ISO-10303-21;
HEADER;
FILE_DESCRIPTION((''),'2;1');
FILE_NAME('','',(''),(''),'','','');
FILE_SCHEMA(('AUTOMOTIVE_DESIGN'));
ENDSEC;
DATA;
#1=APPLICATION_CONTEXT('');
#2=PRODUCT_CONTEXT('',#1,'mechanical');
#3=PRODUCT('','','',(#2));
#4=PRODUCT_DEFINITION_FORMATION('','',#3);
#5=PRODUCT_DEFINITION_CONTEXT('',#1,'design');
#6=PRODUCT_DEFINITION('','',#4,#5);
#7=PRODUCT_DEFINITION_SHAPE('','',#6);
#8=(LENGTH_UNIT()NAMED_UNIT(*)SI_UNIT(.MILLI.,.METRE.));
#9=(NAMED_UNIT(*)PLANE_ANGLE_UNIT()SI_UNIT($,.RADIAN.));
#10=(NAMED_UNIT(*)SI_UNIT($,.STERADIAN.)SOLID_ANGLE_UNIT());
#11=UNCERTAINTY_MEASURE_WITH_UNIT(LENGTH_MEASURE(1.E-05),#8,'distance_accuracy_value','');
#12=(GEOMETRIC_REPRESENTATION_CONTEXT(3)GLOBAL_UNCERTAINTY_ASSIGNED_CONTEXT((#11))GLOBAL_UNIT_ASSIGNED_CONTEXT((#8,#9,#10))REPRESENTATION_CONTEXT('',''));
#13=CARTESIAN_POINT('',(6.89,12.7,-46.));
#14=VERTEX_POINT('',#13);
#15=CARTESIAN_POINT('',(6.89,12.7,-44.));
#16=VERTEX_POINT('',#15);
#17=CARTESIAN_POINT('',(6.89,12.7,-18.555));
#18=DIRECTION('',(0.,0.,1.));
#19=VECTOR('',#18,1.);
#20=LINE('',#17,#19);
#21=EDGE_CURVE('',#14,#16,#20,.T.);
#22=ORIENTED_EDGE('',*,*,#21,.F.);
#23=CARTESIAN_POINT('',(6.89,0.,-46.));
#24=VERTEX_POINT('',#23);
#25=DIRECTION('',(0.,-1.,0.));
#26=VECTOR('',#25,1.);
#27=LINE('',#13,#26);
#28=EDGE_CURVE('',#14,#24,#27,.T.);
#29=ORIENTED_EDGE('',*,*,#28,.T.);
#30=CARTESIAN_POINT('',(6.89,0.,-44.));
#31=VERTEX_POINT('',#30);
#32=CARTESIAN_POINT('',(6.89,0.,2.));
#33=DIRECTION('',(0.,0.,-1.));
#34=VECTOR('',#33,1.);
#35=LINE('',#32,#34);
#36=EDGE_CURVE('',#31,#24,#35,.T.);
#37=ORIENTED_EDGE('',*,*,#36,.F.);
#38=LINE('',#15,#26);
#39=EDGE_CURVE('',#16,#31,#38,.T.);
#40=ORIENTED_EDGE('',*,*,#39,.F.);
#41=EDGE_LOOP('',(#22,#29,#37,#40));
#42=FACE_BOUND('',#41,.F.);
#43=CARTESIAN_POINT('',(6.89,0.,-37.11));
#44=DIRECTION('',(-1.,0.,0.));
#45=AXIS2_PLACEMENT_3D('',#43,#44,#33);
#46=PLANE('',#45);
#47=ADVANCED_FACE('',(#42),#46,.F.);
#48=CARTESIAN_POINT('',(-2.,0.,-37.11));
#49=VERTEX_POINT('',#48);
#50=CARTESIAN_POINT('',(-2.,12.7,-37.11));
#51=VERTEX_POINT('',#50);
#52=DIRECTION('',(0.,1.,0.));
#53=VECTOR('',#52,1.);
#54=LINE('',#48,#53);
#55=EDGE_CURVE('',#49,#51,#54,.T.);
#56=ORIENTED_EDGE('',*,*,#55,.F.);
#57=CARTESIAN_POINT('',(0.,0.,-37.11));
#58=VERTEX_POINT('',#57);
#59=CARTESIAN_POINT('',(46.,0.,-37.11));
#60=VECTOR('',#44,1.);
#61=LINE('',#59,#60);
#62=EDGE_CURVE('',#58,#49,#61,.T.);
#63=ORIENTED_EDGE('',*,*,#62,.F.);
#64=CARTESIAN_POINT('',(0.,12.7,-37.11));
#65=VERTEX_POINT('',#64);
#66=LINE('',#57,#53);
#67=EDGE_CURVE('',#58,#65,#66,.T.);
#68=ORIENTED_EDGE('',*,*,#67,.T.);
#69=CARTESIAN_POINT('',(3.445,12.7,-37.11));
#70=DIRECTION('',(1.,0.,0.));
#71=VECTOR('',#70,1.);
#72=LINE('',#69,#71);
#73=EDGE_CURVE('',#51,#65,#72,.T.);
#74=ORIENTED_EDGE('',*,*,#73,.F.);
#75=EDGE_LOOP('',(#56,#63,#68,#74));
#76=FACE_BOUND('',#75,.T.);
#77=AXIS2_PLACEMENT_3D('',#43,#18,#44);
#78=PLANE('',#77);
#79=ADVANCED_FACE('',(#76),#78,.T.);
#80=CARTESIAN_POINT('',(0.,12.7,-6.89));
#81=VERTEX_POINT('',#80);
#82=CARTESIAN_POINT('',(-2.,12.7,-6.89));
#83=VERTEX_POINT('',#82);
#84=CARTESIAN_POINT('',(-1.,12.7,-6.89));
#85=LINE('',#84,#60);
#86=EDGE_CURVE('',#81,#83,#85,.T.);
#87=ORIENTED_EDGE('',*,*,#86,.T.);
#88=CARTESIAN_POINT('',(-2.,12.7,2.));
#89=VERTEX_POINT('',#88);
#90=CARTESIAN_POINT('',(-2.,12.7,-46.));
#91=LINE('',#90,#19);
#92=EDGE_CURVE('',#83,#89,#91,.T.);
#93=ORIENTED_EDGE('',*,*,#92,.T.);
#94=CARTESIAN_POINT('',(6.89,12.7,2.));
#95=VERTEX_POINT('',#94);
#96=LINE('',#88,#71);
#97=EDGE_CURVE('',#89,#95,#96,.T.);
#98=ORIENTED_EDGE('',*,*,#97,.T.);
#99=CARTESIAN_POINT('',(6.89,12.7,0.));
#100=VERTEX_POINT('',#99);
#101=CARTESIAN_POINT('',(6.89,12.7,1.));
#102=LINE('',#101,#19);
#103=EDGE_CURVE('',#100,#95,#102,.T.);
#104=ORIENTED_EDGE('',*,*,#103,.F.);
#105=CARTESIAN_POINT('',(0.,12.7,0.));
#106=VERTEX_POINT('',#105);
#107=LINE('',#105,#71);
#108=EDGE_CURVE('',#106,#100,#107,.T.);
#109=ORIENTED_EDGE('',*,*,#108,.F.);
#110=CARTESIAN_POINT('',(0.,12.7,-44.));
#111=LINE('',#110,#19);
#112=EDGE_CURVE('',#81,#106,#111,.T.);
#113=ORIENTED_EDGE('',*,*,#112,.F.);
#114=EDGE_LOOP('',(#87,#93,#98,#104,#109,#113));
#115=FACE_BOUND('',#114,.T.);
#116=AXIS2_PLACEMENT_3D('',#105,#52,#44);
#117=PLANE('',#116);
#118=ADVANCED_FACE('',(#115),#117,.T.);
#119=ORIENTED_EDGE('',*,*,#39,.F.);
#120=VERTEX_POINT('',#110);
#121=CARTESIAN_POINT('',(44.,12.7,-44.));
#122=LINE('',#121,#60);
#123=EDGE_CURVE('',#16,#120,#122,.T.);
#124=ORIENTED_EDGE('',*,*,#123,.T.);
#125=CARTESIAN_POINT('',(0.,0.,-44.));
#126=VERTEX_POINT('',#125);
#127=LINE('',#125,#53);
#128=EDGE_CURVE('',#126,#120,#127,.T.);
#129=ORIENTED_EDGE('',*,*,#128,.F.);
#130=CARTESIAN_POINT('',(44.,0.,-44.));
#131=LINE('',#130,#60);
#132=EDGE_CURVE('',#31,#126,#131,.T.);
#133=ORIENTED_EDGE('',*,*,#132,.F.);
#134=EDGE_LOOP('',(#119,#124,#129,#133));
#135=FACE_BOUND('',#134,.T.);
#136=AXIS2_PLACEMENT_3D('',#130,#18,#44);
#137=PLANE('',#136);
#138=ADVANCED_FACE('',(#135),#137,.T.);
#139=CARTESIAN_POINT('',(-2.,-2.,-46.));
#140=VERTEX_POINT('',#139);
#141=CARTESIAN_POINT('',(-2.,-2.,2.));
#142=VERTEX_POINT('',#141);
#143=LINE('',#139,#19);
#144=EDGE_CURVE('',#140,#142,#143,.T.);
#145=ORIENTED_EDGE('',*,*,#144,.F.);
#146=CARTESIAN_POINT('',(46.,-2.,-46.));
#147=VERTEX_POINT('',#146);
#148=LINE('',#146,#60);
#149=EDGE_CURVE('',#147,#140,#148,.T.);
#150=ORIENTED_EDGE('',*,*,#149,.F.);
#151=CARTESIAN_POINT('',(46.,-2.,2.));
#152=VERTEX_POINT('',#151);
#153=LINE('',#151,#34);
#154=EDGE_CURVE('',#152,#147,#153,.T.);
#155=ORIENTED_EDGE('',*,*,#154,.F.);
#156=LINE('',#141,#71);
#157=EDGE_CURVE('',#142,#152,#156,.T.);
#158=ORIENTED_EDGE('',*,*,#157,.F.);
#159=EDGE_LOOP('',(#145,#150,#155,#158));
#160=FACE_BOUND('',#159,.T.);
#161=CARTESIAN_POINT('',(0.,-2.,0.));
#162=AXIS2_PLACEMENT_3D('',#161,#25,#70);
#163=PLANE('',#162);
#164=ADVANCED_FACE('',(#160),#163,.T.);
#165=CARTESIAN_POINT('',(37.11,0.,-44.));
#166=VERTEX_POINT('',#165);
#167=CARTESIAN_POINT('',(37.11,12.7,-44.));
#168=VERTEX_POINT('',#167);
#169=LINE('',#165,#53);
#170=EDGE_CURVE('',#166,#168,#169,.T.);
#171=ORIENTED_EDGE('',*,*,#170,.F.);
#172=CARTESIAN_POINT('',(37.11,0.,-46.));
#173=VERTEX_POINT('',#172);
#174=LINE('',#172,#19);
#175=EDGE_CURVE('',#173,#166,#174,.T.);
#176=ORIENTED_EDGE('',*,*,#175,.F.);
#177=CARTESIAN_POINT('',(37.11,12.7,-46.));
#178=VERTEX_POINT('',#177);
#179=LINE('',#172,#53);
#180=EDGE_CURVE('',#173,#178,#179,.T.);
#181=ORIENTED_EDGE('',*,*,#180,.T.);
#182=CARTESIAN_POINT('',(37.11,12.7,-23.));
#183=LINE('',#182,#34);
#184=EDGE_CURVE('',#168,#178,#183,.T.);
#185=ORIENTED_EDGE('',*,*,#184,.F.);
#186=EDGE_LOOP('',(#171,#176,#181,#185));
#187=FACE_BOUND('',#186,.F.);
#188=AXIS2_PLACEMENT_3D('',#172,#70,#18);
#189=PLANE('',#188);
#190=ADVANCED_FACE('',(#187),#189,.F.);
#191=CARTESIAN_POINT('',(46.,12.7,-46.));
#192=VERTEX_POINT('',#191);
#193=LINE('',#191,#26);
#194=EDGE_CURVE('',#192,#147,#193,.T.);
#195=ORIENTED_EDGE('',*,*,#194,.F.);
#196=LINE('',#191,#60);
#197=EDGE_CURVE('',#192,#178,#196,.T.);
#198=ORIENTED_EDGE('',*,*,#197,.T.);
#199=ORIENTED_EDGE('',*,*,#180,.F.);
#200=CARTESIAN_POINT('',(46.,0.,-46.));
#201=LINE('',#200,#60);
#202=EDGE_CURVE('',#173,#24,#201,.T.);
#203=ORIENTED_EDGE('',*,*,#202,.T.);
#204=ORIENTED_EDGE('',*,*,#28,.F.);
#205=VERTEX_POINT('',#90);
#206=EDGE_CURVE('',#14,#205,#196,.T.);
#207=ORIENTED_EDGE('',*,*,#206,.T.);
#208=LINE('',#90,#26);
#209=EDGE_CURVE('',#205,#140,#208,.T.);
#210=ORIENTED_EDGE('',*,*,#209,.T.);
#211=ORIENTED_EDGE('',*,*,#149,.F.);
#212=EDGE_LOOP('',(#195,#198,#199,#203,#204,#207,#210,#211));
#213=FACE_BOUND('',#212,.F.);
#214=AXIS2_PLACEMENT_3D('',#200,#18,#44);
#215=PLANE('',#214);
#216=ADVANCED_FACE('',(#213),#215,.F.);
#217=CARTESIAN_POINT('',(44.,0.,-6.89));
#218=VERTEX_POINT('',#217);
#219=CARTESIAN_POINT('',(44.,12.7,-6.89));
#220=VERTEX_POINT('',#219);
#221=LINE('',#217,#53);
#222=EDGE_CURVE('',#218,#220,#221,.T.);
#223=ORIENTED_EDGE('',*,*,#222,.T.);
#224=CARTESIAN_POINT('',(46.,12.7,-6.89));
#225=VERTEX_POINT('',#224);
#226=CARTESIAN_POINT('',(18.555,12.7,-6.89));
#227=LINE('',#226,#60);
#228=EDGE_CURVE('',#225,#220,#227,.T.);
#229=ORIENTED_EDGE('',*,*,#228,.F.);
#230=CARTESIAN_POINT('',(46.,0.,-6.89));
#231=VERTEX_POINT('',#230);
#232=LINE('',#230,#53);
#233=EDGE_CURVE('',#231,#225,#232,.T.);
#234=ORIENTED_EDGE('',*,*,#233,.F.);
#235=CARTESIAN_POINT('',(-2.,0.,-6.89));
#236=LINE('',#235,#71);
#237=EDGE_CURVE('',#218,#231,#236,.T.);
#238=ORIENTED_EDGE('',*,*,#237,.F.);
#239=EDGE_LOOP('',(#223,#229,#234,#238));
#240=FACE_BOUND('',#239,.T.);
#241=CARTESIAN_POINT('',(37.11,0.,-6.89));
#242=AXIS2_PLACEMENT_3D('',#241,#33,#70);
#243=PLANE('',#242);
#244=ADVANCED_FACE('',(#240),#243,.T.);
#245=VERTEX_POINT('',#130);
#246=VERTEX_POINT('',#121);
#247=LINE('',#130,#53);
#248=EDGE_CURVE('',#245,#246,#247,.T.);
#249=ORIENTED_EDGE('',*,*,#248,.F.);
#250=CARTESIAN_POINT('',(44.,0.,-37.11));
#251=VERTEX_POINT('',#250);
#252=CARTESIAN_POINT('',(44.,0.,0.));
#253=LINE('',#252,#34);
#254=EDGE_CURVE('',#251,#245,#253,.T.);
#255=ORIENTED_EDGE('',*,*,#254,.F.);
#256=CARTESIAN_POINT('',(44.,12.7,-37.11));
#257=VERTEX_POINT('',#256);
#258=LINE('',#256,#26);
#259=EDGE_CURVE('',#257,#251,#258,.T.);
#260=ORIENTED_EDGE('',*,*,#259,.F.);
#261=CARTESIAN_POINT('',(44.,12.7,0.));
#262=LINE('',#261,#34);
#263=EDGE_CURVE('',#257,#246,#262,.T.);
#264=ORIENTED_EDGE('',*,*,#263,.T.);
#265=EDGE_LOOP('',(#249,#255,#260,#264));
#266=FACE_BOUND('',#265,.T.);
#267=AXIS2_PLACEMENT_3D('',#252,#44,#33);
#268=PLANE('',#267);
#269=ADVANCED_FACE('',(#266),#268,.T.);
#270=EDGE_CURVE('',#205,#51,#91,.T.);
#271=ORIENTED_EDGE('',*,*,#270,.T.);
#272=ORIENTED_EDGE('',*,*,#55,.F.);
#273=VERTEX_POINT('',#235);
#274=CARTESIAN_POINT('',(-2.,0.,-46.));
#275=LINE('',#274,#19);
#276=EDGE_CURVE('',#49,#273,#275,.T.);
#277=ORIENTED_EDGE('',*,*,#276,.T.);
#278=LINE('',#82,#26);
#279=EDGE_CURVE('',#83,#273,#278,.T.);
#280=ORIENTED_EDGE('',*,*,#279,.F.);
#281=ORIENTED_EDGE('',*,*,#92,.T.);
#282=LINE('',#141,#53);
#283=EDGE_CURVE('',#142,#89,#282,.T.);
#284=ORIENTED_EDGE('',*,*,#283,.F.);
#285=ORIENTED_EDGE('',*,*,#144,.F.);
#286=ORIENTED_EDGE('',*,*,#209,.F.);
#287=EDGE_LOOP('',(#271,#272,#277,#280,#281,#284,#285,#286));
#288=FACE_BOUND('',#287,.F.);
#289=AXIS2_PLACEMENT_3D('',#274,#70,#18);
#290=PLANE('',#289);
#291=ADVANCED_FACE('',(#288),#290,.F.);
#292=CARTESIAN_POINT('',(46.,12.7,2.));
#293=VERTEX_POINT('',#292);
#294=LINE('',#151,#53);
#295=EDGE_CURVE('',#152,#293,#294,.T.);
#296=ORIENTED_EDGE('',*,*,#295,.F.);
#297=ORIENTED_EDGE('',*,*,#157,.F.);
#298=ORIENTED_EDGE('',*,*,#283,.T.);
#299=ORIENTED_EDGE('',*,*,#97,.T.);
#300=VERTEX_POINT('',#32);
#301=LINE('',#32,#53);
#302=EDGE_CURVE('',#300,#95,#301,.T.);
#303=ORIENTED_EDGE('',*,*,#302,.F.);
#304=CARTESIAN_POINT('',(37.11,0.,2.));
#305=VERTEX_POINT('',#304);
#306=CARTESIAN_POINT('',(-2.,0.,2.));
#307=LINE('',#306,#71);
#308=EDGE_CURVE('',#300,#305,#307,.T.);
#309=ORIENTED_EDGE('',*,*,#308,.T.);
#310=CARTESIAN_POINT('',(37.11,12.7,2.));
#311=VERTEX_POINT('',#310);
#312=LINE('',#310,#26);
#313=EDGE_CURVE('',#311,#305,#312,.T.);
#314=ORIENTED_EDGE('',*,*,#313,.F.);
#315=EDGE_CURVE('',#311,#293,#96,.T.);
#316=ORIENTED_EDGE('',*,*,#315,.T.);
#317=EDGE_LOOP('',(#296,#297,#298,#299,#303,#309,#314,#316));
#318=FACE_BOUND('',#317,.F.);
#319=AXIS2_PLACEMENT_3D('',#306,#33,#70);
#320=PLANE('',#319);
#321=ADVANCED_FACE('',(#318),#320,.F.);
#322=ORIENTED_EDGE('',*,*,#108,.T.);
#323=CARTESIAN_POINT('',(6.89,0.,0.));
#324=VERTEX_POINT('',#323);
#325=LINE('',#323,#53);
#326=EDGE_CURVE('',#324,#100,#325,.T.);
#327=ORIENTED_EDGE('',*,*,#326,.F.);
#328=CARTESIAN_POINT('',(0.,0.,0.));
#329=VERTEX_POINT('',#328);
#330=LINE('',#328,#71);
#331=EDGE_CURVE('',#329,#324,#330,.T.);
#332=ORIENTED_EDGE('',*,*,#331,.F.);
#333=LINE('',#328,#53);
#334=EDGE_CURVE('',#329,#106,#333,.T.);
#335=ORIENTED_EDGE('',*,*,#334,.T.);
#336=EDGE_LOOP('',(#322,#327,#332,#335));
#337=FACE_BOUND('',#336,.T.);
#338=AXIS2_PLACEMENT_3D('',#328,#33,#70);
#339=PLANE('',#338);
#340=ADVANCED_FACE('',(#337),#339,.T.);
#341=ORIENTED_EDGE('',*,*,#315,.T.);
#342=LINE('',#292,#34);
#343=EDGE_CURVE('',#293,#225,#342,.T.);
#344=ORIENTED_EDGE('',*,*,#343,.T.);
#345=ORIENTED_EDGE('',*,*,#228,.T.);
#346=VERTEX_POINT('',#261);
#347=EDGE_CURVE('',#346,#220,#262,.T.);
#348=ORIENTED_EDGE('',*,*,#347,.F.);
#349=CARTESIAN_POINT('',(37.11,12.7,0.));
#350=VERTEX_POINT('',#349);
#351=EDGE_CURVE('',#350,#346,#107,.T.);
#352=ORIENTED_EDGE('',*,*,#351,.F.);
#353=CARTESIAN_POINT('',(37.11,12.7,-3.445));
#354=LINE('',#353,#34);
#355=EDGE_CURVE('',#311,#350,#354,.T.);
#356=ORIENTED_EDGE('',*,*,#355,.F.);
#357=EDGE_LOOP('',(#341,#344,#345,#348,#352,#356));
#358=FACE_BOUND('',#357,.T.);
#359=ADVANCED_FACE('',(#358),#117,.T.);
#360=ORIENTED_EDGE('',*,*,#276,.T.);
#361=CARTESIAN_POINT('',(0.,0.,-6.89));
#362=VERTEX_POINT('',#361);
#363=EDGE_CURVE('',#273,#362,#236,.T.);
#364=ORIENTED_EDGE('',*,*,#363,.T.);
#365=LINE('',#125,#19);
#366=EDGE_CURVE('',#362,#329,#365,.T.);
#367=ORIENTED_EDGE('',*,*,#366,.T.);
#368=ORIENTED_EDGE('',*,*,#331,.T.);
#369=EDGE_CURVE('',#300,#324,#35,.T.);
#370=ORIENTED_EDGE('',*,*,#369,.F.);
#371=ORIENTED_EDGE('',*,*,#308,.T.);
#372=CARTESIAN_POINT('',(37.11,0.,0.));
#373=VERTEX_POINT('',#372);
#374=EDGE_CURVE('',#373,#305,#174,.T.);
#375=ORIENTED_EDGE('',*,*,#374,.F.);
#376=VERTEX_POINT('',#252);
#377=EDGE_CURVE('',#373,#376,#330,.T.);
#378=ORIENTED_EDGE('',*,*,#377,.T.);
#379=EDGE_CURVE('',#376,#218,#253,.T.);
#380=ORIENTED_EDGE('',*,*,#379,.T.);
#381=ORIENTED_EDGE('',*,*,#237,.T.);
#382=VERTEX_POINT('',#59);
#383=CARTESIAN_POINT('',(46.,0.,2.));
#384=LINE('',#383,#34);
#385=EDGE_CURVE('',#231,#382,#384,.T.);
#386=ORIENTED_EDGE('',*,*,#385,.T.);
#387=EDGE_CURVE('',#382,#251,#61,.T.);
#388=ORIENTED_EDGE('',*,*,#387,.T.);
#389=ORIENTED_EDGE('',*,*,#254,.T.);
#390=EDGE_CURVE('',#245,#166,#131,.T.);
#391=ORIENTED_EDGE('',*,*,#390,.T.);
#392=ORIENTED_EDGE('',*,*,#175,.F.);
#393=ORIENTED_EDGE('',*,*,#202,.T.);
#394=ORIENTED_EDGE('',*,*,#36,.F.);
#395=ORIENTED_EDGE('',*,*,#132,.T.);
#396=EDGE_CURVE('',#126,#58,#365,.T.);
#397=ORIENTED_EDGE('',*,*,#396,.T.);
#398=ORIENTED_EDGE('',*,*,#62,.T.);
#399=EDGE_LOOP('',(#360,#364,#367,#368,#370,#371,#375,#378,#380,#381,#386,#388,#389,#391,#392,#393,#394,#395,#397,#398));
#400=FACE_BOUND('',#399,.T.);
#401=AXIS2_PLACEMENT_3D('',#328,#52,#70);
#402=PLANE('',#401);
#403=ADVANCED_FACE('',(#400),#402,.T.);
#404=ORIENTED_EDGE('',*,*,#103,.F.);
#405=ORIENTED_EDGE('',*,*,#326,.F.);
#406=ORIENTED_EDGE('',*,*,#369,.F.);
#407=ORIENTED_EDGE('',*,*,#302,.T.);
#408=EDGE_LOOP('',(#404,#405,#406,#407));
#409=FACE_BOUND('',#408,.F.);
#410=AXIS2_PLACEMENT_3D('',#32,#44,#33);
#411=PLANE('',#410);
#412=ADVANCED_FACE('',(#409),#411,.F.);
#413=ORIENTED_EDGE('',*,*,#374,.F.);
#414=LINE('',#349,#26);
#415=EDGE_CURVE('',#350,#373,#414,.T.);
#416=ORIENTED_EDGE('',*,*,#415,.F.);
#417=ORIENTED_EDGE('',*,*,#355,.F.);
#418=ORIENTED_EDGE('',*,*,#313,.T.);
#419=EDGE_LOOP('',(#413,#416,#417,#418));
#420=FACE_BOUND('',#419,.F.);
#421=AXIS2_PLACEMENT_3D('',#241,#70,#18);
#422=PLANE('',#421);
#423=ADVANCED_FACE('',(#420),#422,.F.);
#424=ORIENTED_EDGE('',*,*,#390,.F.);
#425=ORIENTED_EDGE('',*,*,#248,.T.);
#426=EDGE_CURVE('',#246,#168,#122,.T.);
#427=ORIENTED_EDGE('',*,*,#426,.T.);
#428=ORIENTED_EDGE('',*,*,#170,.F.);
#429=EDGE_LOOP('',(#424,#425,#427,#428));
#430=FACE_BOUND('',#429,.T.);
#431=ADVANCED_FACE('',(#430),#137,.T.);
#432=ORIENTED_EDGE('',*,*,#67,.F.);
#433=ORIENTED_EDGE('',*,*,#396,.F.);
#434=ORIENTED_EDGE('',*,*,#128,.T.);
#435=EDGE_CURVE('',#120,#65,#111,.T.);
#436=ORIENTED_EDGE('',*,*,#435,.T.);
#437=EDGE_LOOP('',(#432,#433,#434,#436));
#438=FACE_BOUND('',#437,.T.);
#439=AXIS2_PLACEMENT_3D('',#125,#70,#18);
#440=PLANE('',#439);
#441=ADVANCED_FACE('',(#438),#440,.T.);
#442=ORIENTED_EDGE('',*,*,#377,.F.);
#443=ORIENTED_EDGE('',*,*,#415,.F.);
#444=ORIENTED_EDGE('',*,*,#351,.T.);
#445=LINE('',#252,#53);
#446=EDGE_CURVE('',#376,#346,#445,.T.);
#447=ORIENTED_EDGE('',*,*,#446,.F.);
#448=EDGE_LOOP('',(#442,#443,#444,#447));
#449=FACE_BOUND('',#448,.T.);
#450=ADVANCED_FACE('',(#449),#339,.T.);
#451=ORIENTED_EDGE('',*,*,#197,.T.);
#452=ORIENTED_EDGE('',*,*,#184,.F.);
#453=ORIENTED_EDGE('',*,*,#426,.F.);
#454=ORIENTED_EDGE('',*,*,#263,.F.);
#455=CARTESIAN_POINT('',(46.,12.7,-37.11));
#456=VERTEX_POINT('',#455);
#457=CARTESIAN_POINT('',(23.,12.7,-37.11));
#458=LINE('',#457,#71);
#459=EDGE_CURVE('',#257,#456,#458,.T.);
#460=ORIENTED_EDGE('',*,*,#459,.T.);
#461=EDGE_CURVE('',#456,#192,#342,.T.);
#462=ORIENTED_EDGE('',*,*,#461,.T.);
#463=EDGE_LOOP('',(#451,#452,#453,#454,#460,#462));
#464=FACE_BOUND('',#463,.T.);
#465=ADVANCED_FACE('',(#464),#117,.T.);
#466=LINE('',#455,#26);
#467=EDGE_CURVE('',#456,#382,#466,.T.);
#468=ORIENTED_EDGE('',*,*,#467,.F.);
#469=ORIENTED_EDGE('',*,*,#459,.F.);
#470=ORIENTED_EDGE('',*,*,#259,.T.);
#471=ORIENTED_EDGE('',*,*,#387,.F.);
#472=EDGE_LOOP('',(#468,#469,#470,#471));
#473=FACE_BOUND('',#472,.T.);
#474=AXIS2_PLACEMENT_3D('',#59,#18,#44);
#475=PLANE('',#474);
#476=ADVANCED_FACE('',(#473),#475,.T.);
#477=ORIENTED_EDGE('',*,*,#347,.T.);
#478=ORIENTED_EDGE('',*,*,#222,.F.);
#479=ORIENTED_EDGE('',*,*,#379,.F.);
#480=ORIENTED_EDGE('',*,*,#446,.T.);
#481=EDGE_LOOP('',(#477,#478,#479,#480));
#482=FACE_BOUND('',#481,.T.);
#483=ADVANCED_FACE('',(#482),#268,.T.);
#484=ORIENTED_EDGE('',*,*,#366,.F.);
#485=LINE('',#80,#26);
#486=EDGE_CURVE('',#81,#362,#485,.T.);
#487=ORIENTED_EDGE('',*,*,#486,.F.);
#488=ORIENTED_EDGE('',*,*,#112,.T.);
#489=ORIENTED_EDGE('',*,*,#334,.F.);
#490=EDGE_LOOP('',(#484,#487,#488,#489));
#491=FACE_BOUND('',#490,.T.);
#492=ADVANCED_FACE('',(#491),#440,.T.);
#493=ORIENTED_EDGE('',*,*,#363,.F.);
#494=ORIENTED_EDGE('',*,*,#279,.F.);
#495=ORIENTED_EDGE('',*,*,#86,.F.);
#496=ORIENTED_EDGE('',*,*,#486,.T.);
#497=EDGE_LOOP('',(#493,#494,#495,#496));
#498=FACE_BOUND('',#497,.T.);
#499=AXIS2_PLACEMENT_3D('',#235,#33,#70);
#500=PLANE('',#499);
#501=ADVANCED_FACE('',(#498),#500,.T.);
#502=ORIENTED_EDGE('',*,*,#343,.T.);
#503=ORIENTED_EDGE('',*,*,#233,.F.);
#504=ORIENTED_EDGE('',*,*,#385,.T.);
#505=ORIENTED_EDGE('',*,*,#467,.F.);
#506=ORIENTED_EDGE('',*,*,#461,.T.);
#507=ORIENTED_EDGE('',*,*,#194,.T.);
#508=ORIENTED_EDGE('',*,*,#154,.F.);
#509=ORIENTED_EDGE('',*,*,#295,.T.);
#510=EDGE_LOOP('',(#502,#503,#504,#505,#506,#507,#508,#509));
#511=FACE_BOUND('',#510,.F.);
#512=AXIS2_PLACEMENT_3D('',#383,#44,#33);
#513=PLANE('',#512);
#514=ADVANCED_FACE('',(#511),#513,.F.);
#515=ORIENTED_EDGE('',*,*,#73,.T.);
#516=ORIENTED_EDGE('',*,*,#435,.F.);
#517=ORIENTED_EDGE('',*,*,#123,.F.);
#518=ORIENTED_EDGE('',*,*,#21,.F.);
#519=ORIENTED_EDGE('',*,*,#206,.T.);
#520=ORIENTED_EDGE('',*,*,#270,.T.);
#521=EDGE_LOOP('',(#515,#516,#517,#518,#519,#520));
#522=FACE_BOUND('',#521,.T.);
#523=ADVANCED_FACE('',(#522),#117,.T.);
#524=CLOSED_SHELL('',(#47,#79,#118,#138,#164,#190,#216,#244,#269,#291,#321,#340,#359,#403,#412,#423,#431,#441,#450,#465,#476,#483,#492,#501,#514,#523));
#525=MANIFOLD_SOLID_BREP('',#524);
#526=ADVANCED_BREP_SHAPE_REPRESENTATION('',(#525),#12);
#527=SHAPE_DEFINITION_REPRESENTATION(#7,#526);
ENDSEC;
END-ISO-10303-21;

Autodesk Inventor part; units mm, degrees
ref_plane "YZ Plane" through (0, 0, 0) normal (1, 0, 0) x (0, 1, 0)
ref_plane "XZ Plane" through (0, 0, 0) normal (0, 1, 0) x (-1, 0, 0)
ref_plane "XY Plane" through (0, 0, 0) normal (0, 0, 1) x (1, 0, 0)
sketch "Sketch1" plane through (0, 0, 0) normal (0, 1, 0) x (-1, 0, 0)
  line L0 (0, 0) -> (-44, 0)
  line L1 (-44, 0) -> (-44, -44)
  line L2 (-44, -44) -> (0, -44)
  line L3 (0, -44) -> (0, 0)
  line L4 (2, 2) -> (-46, 2)
  line L5 (-46, 2) -> (-46, -46)
  line L6 (-46, -46) -> (2, -46)
  line L7 (2, -46) -> (2, 2)
  dimension "d0" = 44
  dimension "d1" = 44
  dimension "d2" = 48
  dimension "d3" = 48
  dimension "d4" = 2
  dimension "d5" = 2
extrude "Extrusion1" add sketch "Sketch1" along normal blind 12.7
sketch "Sketch2" plane through (0, 0, 0) normal (0, -1, 0) x (1, 0, 0)
  line L0 (46, 2) -> (46, -46) projected
  line L1 (-2, 2) -> (46, 2) projected
  line L2 (-2, -46) -> (-2, 2) projected
  line L3 (46, -46) -> (-2, -46) projected
  point P0 (0, 0)
extrude "Extrusion2" add sketch "Sketch2" along normal blind 2
sketch "Sketch3" plane through (0, 0, 0) normal (0, 1, 0) x (1, 0, 0)
  line L0 (-2, -2) -> (46, -2) projected
  line L1 (-2, 46) -> (-2, -2) projected
  line L2 (46, 46) -> (-2, 46) projected
  line L3 (46, -2) -> (46, 46) projected
  line L4 (37.11, -2) -> (6.89, -2)
  line L5 (6.89, -2) -> (6.89, 46)
  line L6 (6.89, 46) -> (37.11, 46)
  line L7 (37.11, 46) -> (37.11, -2)
  line L8 (-2, -2) -> (-2, 46) projected
  line L9 (-2, 6.89) -> (46, 6.89)
  line L10 (46, 6.89) -> (46, 37.11)
  line L11 (46, 37.11) -> (-2, 37.11)
  line L12 (-2, 37.11) -> (-2, 6.89)
  point P0 (0, 0)
  point P1 (37.11, 37.11)
  point P2 (37.11, 6.89)
  point P3 (6.89, 6.89)
  point P4 (6.89, 37.11)
  point P5 (-2, 37.11)
  dimension "d10" = 8.89
  dimension "d11" = 8.89
  dimension "d12" = 8.89
  dimension "d13" = 8.89
extrude "Extrusion3" cut sketch "Sketch3" along normal blind 2 contours L5 L9 L7 L0 | L1 L11 L5 L9 | L7 L11 L3 L9 | L5 L2 L7 L11
extrude "Extrusion4" cut sketch "Sketch3" along normal blind 76.2 contours L5 L9 L7 L0 | L1 L11 L5 L9 | L7 L11 L3 L9 | L5 L2 L7 L11
properties part number "servoBracket"
